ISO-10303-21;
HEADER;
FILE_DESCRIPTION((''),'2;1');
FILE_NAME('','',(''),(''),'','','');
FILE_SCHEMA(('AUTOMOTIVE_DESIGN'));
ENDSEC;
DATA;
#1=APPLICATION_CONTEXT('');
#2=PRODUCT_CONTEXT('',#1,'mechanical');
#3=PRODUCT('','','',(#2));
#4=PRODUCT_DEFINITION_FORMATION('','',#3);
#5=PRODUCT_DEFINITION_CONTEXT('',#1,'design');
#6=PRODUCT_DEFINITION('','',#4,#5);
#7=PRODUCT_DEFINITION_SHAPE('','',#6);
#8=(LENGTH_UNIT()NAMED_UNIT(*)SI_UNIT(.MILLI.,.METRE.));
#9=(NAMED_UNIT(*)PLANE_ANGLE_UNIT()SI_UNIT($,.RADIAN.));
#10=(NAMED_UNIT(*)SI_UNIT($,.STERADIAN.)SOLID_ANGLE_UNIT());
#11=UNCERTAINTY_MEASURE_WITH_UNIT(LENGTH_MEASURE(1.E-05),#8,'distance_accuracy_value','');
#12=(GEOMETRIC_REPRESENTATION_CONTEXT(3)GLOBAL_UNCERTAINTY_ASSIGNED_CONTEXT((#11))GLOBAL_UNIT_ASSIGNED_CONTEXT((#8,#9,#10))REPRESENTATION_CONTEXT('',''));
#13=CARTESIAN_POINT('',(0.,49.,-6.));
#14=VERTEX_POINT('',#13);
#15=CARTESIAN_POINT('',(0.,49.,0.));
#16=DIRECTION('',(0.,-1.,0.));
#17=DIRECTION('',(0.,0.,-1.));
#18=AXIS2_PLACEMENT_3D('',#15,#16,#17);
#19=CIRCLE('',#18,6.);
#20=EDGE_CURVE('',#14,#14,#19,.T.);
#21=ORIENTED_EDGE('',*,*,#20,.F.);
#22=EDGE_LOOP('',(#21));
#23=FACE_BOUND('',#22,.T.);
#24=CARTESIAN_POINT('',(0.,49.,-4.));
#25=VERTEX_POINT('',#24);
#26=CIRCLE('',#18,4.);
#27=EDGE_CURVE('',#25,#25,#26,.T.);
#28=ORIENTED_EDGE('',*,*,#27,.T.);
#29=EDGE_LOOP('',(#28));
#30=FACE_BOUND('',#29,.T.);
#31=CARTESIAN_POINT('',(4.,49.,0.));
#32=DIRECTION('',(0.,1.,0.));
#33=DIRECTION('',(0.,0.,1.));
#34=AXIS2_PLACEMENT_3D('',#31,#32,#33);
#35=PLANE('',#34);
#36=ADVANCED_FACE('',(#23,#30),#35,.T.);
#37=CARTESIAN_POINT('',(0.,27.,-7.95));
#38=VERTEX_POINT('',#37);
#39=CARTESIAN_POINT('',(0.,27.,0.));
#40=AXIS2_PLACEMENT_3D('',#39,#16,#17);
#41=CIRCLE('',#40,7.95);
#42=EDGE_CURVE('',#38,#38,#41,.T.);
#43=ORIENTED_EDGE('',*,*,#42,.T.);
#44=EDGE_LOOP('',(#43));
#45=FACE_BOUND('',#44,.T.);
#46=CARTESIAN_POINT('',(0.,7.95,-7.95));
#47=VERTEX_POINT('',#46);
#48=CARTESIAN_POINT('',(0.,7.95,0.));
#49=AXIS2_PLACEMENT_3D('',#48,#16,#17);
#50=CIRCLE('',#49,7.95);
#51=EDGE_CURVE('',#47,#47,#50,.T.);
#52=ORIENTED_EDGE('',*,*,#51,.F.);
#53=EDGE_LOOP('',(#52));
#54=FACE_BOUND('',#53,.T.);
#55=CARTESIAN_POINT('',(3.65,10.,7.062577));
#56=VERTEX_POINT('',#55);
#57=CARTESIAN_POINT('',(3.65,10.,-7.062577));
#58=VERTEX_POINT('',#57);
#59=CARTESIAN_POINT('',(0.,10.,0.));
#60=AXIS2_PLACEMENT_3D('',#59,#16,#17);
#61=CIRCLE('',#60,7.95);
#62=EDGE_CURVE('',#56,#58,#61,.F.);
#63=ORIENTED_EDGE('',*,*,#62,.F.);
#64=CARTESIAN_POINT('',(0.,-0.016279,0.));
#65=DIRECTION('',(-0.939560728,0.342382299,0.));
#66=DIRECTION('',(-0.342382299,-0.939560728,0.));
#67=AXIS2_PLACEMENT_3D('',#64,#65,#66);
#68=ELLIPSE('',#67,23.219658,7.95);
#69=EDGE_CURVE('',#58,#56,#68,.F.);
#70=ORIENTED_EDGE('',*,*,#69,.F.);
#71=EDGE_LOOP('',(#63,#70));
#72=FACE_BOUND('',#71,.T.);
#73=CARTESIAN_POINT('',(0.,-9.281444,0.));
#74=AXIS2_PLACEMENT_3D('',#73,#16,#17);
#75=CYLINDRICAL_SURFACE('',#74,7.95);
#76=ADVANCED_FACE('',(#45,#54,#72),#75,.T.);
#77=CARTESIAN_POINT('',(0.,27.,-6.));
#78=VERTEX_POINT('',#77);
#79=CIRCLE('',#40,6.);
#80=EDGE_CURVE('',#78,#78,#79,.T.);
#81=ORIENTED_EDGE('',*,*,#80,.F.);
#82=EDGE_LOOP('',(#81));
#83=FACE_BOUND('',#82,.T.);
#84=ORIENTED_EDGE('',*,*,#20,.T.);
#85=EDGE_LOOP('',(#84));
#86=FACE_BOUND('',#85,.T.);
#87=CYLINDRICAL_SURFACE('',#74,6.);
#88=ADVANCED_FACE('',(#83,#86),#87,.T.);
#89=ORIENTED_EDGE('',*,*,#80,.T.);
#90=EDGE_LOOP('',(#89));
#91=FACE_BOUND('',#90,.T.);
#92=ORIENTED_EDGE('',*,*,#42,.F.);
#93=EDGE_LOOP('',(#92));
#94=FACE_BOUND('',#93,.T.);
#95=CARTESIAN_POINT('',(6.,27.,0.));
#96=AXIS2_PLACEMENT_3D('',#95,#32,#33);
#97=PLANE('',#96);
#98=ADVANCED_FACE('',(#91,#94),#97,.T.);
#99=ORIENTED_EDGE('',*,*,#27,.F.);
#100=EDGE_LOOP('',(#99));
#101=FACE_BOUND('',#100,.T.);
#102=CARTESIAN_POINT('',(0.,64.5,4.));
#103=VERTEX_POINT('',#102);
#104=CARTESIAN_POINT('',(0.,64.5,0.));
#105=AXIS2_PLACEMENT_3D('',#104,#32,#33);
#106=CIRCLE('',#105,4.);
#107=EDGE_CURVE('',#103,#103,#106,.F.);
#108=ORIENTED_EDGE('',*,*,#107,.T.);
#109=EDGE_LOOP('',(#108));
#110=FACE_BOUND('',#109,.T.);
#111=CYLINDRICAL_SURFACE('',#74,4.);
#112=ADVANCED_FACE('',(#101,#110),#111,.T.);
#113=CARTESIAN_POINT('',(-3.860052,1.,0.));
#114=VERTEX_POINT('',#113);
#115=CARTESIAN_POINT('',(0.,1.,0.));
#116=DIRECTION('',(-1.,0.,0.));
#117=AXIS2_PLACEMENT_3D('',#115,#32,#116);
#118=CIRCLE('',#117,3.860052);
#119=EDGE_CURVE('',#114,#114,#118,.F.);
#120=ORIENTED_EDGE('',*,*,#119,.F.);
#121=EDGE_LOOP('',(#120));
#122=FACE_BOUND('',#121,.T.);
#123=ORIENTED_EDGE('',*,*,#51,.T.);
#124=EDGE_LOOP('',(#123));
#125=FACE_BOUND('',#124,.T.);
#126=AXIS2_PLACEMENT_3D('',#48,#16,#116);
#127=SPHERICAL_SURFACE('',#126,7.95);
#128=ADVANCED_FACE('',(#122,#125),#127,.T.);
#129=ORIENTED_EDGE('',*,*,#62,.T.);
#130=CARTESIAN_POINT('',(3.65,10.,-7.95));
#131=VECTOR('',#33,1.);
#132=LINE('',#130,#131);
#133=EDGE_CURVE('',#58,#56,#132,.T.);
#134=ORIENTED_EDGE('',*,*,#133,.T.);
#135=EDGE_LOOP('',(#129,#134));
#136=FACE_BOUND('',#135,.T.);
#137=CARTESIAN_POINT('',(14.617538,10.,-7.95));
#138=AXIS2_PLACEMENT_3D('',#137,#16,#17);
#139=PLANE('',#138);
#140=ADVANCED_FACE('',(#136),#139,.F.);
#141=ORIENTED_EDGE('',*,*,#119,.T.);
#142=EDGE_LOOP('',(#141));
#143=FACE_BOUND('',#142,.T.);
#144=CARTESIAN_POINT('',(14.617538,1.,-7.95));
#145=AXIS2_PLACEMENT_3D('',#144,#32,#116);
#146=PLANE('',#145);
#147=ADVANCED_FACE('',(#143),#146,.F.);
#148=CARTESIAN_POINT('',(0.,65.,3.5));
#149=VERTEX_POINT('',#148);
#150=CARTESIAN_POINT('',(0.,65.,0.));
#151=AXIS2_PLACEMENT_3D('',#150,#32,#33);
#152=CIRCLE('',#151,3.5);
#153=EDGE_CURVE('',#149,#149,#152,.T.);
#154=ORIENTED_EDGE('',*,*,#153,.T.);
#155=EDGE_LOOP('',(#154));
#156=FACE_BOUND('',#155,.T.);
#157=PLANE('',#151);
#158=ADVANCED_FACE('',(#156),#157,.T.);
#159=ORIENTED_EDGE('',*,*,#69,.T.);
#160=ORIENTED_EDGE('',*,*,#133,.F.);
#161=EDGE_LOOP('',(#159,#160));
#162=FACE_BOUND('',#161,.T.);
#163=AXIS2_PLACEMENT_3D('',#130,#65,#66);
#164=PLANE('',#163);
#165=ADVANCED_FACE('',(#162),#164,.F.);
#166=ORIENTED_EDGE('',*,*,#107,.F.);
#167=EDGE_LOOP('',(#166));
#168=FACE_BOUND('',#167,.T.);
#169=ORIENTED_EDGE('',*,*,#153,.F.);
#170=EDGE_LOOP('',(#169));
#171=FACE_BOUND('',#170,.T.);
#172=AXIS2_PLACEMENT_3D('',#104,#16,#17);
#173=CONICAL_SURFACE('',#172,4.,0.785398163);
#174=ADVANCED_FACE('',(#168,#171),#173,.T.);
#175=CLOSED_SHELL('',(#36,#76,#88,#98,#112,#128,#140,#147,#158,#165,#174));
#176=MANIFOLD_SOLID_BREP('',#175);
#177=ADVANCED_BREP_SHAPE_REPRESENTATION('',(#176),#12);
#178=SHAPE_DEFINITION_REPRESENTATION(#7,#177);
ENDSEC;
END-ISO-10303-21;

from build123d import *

# Parameters (mm, degrees)
CHANFREIN1_SIZE              = 0.5
ENL_V_MAT_EXTRU_1_DEPTH      = 8.95
ENL_V_MAT_EXTRU_1_DEPTH_BACK = 8.95


with BuildPart() as part:
    # Esquisse1 → Base-Révolution (revolve)
    with BuildSketch(Plane.XY, mode=Mode.PRIVATE) as base_r_volution_sk:
        with BuildLine():
            Line((0, 65), (4, 65))
            Line((4, 65), (4, 49))
            Line((4, 49), (6, 49))
            Line((6, 49), (6, 27))
            Line((6, 27), (7.95, 27))
            Line((7.95, 27), (7.95, 7.95))
            ThreePointArc((7.95, 7.95), (5.62149891, 2.32850109), (0, 0))
            Line((0, 0), (0, 65))
        make_face()
    revolve(base_r_volution_sk.sketch.rotate(Axis((0, -9.281443849, 0), (0, 1, 0)), 90), axis=Axis((0, -9.281443849, 0), (0, 1, 0)))  # turned: the seam where the file's is

    # Chanfrein1
    chanfrein1_edges = [part.edges().sort_by_distance(p)[0] for p in [
        (0, 65, 4),
    ]]
    chamfer(chanfrein1_edges, length=CHANFREIN1_SIZE)

    # Esquisse2 → Enlèv. mat.-Extru.1 (cut, two sides)
    with BuildSketch(Plane.XY) as enl_v_mat_extru_1_sk:
        Polygon((14.617538198, 1), (14.617538198, 10), (3.65, 10), (7.95, 21.8), (23.946768439, 21.8), (23.946768439, -11.083879123), (-11.532407151, -11.083879123), (-11.532407151, 1), align=None)
    extrude(amount=ENL_V_MAT_EXTRU_1_DEPTH, mode=Mode.SUBTRACT)
    extrude(enl_v_mat_extru_1_sk.sketch, amount=-ENL_V_MAT_EXTRU_1_DEPTH_BACK, mode=Mode.SUBTRACT)


solid = part.part
